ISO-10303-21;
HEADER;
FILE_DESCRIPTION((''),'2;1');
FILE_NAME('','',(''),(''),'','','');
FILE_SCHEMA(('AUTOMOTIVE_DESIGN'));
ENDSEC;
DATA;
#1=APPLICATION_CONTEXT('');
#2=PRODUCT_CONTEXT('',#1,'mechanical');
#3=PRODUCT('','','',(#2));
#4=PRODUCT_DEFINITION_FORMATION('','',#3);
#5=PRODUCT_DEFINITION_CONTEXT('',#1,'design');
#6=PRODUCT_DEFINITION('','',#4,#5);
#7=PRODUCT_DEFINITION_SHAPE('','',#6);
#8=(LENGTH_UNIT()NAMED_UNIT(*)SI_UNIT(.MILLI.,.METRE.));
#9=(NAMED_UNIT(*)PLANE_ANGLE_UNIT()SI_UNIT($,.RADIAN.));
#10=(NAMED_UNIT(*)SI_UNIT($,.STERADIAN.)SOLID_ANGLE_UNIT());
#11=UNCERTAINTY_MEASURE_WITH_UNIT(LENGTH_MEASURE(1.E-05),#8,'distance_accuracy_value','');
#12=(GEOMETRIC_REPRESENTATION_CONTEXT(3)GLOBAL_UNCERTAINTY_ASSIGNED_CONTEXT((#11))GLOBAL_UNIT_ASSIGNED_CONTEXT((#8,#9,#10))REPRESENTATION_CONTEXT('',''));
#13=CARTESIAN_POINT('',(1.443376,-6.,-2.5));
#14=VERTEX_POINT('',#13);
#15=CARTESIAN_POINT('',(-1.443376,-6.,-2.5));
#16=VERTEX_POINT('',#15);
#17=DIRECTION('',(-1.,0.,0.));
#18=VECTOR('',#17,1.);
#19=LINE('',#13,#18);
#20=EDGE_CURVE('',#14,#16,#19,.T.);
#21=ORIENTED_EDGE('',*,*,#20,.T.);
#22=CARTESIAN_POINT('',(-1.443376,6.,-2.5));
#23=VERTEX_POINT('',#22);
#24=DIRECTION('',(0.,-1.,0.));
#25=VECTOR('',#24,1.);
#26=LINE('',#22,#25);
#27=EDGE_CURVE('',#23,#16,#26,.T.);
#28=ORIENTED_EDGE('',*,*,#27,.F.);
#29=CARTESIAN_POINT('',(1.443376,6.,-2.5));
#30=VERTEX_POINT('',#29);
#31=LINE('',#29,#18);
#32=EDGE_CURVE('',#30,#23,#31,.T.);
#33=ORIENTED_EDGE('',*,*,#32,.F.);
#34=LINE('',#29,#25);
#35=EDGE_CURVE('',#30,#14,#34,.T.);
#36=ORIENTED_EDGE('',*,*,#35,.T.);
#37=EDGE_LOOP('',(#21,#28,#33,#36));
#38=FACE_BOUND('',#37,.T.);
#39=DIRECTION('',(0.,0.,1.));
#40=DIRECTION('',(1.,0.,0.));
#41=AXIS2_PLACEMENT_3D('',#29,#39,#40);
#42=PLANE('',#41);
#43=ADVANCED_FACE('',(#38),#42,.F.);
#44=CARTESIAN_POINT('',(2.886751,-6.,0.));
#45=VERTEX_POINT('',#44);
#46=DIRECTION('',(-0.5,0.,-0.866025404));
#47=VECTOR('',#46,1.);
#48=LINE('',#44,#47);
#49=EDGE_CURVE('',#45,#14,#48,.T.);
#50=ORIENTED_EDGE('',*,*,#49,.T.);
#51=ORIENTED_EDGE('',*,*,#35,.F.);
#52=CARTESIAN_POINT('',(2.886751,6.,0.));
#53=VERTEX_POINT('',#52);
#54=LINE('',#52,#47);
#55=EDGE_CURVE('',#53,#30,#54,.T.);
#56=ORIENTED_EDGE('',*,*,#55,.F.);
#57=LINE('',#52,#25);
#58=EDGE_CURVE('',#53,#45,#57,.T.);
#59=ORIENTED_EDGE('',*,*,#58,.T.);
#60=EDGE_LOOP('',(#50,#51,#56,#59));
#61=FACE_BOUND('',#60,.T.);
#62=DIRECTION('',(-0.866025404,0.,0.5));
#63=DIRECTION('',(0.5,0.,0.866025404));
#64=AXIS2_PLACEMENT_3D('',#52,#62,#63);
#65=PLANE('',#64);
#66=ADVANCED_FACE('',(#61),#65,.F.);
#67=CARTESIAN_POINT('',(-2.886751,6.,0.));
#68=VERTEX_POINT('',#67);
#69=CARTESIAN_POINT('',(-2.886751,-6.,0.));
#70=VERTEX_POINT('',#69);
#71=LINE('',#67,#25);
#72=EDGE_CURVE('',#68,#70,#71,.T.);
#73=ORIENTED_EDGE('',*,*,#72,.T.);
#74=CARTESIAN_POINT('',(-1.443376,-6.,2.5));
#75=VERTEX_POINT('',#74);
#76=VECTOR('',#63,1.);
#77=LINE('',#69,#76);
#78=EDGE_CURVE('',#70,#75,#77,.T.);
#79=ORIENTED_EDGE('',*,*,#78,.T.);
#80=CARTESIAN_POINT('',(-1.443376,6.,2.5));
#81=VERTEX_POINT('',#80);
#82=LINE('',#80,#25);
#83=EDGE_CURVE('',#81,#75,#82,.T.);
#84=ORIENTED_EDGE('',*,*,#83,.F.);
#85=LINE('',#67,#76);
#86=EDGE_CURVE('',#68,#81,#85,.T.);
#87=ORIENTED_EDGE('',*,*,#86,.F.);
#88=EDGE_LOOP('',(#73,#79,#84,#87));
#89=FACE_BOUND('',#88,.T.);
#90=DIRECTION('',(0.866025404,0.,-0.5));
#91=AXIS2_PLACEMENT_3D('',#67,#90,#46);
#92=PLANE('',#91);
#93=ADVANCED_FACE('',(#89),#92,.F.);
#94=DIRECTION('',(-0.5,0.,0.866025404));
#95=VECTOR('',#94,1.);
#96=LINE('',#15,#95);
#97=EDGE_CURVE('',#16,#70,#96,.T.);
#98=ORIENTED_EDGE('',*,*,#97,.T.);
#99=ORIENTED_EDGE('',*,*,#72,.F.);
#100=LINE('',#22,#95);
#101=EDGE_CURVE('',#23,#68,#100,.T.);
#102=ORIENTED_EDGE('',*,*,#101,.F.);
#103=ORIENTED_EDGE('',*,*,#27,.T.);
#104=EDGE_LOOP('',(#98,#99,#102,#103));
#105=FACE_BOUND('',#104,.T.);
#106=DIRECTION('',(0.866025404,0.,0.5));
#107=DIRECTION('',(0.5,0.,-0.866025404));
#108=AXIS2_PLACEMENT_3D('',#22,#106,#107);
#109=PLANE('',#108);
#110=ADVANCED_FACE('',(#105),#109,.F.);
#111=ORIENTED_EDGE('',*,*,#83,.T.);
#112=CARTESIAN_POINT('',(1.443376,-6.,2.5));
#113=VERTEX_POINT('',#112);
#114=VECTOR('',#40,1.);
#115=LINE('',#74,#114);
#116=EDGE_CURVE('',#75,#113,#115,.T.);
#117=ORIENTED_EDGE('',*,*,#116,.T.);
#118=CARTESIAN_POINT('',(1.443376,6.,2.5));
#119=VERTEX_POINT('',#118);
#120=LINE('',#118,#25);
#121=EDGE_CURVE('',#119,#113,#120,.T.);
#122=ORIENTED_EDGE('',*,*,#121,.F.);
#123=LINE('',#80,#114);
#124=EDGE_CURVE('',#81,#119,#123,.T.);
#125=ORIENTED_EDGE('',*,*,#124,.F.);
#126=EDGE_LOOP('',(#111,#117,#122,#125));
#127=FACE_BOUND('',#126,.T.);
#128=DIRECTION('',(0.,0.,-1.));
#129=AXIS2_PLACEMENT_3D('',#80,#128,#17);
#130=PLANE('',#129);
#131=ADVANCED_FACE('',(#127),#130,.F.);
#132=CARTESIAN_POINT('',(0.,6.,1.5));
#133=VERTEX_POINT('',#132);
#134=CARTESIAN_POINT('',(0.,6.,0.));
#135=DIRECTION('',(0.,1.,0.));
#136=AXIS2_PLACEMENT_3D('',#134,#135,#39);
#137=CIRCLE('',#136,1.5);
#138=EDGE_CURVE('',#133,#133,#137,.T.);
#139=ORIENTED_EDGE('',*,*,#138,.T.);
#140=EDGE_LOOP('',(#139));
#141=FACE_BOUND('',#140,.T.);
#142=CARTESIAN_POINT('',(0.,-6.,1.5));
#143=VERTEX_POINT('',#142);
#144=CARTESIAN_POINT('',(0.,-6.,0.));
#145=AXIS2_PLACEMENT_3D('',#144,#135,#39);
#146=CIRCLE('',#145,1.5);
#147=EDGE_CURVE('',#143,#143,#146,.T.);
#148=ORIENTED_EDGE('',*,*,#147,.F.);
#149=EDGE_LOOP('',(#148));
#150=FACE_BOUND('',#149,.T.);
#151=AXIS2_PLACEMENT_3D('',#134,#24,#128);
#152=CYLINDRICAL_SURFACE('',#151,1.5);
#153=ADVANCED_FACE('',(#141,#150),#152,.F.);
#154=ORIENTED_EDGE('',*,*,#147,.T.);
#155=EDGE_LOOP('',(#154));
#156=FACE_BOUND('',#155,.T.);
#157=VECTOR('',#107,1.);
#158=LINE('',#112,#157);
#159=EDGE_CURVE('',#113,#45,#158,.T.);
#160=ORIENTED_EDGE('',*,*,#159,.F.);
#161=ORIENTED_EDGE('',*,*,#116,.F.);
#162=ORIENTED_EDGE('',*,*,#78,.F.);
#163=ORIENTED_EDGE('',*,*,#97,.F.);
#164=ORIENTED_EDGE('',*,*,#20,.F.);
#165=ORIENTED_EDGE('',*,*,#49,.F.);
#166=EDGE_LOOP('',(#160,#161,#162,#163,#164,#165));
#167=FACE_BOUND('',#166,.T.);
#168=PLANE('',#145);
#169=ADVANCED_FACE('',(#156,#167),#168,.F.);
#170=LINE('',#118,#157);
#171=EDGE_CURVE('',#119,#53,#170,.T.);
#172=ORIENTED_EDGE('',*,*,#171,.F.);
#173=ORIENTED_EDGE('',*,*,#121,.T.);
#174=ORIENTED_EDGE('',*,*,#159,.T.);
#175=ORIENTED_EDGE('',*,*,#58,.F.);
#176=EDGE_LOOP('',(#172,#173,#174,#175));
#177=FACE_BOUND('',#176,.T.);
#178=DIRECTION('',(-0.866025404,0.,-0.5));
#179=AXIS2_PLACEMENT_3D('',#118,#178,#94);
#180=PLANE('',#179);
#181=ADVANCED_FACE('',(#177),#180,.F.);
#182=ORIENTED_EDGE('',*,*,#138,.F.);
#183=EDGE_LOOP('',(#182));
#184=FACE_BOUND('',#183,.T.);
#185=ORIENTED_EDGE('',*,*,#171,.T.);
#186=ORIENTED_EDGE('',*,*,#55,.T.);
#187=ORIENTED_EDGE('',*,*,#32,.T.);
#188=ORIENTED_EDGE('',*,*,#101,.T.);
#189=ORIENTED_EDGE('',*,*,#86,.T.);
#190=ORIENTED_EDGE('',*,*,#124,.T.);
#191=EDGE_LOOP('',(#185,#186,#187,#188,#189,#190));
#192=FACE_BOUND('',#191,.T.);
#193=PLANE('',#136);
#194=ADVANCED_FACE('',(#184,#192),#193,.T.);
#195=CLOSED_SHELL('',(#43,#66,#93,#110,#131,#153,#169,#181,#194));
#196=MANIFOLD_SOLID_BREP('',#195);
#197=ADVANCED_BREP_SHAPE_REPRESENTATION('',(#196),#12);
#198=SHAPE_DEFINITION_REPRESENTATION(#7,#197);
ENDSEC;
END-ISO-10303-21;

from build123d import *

# Parameters (mm, degrees)
CROQUIS1_R              = 1.5
SALIENTE_EXTRUIR1_DEPTH = 6


with BuildPart() as part:
    # Croquis1 → Saliente-Extruir1 (new body, symmetric)
    with BuildSketch(Plane(origin=(0, 0, 0), x_dir=(1, 0, 0), z_dir=(0, 1, 0))):
        Polygon((1.443375673, -2.5), (2.886751346, 0), (1.443375673, 2.5), (-1.443375673, 2.5), (-2.886751346, 0), (-1.443375673, -2.5), align=None)
        Circle(CROQUIS1_R, mode=Mode.SUBTRACT)
    extrude(amount=SALIENTE_EXTRUIR1_DEPTH, both=True)


solid = part.part
